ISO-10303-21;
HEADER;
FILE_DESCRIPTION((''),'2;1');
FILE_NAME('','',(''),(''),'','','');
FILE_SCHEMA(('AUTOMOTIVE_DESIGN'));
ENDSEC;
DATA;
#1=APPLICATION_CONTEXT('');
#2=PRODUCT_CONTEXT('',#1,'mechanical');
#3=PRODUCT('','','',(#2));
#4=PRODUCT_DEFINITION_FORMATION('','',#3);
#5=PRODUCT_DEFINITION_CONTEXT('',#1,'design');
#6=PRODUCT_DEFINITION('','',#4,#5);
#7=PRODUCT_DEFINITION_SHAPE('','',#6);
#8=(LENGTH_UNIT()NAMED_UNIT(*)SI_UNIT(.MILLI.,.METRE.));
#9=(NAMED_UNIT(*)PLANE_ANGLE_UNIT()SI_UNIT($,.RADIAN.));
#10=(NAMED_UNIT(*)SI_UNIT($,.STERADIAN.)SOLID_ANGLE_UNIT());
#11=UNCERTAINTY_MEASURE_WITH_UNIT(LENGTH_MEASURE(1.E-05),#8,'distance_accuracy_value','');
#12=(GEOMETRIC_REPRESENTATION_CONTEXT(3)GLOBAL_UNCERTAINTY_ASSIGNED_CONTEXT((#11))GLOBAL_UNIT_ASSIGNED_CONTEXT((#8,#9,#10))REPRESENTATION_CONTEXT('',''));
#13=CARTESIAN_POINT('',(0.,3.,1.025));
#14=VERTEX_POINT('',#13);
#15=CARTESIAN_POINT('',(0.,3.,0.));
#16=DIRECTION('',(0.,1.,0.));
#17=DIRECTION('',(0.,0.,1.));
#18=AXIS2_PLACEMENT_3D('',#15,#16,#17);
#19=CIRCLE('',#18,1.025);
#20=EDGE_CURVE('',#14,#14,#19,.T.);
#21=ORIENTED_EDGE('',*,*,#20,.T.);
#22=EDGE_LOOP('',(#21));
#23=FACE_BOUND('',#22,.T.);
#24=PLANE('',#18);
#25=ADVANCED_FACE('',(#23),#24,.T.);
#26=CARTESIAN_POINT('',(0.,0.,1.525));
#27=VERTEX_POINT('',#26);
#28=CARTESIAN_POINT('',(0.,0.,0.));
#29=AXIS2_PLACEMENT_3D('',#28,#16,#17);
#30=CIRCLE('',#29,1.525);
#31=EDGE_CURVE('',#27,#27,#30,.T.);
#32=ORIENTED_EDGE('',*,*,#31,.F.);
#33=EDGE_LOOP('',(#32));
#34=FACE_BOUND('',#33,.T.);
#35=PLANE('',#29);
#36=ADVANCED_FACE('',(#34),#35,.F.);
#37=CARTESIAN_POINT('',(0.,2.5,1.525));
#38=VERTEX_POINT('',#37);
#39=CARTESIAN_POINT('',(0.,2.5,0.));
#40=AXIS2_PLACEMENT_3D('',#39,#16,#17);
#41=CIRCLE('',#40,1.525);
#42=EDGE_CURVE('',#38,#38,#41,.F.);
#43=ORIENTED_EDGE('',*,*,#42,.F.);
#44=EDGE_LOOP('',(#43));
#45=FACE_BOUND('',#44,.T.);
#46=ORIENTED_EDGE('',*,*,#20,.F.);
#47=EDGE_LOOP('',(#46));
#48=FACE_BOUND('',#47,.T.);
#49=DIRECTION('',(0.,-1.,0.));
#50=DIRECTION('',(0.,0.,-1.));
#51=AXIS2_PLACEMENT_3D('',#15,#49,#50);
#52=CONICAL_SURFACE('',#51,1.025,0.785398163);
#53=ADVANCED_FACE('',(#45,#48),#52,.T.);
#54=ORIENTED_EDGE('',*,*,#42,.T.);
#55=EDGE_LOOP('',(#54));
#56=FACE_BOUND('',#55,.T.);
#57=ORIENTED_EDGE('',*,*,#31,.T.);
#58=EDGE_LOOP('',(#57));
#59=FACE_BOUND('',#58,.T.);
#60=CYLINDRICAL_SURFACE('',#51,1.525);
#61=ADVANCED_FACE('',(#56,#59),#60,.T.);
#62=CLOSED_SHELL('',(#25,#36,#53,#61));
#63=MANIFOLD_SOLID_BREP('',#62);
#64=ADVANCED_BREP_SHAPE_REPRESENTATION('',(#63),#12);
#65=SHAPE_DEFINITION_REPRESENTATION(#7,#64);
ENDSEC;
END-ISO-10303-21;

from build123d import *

# Parameters (mm, degrees)
SKETCH2_R           = 1.525
BOSS_EXTRUDE1_DEPTH = 3
CHAMFER1_SIZE       = 0.5


with BuildPart() as part:
    # Sketch2 → Boss-Extrude1 (new body)
    with BuildSketch(Plane(origin=(0, 0, 0), x_dir=(1, 0, 0), z_dir=(0, 1, 0))):
        Circle(SKETCH2_R)
    extrude(amount=BOSS_EXTRUDE1_DEPTH)

    # Chamfer1
    chamfer1_edges = [part.edges().sort_by_distance(p)[0] for p in [
        (-1.525, 3, 0),
    ]]
    chamfer(chamfer1_edges, length=CHAMFER1_SIZE)


solid = part.part
